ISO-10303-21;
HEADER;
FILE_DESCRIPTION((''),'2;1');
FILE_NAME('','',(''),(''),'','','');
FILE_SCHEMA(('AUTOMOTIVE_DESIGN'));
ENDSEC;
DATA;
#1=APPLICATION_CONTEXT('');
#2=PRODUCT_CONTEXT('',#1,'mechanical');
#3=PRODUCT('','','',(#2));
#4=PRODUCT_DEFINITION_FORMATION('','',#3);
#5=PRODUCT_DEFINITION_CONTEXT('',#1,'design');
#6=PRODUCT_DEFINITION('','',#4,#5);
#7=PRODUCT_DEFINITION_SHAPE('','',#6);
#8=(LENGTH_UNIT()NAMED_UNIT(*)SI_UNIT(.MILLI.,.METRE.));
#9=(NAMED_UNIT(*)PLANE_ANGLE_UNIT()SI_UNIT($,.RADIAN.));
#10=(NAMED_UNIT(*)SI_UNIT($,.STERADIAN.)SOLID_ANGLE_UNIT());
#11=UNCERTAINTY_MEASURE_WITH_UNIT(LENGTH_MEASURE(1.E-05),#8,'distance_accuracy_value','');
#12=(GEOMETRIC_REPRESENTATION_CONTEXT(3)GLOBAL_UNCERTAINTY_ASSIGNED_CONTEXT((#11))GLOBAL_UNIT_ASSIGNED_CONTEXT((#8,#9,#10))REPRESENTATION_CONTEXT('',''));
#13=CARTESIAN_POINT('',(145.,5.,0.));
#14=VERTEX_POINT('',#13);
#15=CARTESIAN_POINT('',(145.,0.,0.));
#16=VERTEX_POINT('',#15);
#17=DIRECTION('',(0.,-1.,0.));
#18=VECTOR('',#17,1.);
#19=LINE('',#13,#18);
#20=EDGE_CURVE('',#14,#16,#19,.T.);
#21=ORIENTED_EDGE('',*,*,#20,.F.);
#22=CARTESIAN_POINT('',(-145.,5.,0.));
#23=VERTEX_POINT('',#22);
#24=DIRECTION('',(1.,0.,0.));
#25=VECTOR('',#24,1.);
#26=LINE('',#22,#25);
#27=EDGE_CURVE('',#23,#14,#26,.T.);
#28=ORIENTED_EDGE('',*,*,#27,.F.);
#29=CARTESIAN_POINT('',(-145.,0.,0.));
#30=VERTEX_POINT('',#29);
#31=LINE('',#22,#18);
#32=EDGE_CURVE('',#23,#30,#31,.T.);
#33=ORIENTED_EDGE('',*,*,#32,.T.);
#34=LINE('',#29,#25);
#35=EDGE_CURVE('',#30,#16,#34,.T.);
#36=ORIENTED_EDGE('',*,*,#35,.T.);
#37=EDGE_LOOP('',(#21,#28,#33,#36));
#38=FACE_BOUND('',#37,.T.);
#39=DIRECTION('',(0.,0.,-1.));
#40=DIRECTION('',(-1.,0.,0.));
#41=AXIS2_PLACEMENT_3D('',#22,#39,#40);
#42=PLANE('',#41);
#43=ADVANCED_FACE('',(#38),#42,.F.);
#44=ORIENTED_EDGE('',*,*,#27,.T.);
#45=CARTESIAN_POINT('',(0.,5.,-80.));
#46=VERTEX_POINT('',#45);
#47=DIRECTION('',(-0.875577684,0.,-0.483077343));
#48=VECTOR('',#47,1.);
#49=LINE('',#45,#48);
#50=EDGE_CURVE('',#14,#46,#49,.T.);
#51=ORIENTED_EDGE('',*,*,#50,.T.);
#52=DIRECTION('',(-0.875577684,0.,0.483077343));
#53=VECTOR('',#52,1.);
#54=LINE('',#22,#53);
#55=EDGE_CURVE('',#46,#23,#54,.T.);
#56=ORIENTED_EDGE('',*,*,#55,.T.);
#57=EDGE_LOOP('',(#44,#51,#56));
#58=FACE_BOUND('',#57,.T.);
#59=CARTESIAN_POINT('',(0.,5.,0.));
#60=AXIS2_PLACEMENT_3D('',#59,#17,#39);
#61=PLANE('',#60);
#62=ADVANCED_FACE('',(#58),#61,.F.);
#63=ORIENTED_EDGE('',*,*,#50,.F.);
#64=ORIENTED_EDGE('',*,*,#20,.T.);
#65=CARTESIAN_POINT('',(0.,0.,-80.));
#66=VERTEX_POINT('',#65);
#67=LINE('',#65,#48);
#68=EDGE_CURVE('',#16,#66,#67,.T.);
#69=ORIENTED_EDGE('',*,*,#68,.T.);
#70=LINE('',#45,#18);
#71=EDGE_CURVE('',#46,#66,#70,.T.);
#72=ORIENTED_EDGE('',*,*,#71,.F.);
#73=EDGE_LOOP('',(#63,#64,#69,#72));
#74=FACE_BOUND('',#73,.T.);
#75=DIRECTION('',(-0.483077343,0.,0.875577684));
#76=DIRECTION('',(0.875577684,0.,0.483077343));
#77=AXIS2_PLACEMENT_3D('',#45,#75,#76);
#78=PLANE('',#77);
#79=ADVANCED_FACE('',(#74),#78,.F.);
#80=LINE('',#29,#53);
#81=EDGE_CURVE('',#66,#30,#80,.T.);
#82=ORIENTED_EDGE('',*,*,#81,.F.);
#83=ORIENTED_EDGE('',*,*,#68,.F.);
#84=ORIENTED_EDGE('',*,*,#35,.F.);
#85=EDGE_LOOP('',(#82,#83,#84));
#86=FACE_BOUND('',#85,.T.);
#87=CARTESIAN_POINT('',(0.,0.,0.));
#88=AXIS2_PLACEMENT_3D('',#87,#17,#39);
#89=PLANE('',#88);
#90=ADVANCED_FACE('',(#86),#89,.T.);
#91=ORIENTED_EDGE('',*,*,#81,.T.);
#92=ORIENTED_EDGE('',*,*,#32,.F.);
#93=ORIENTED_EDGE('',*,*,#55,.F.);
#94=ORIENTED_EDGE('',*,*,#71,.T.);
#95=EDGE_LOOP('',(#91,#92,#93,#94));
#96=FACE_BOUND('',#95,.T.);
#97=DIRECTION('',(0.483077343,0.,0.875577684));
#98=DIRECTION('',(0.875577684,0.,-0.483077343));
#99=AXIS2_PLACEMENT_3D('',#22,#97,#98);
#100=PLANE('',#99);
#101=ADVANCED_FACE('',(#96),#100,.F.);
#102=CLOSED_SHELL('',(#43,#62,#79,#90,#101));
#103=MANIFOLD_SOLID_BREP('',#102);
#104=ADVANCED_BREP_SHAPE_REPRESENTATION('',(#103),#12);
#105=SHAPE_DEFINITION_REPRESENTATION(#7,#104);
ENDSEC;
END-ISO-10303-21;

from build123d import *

# Parameters (mm, degrees)
BOSS_EXTRUDE1_DEPTH = 5


with BuildPart() as part:
    # Sketch1 → Boss-Extrude1 (new body)
    with BuildSketch(Plane(origin=(0, 0, 0), x_dir=(1, 0, 0), z_dir=(0, 1, 0))):
        Polygon((-145, 0), (145, 0), (0, 80), align=None)
    extrude(amount=BOSS_EXTRUDE1_DEPTH)


solid = part.part
